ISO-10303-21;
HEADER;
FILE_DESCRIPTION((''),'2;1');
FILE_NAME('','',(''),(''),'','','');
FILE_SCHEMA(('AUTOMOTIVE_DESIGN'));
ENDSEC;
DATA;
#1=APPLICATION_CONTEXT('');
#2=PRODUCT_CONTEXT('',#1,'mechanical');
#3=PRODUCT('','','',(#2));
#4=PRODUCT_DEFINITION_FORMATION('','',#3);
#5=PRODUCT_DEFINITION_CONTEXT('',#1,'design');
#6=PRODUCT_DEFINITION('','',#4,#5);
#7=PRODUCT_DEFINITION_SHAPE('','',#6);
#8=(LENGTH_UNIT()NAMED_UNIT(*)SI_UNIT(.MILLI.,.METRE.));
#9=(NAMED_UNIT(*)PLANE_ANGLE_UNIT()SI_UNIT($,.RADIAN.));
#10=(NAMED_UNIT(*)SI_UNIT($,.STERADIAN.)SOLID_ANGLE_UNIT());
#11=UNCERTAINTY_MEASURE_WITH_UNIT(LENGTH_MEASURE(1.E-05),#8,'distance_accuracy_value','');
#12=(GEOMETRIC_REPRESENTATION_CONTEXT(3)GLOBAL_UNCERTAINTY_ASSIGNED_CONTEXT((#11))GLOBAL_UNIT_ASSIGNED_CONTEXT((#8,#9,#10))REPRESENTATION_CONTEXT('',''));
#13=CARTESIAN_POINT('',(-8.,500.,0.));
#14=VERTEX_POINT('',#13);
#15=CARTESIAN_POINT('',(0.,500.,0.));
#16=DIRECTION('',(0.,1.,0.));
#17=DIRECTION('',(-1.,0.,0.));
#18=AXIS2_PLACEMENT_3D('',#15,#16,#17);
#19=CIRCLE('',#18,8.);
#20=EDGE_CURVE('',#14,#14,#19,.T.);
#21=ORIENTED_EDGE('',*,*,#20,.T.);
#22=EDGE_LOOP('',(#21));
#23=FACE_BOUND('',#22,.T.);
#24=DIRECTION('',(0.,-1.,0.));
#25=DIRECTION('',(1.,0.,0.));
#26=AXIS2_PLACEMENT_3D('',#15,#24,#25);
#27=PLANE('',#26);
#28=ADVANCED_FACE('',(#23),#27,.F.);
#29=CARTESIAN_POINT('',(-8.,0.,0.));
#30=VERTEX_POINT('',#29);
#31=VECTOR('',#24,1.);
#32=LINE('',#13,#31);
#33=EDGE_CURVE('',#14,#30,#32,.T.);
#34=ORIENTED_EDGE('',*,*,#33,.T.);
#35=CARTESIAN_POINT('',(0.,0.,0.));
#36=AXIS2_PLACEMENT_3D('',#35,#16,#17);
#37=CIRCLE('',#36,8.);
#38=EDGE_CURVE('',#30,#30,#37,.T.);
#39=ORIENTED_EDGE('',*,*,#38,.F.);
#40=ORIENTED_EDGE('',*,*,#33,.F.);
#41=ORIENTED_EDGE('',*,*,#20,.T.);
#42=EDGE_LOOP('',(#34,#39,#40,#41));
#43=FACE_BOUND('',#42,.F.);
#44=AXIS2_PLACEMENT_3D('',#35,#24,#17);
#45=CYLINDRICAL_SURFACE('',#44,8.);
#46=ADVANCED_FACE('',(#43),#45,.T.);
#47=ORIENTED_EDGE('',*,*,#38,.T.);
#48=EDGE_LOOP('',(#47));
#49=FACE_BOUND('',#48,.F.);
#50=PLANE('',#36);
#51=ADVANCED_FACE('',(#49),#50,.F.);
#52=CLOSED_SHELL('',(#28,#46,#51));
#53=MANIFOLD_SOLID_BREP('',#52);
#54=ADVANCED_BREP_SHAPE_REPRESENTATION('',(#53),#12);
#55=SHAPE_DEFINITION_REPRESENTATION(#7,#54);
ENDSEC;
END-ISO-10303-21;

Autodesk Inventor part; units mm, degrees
ref_plane "YZ Plane" through (0, 0, 0) normal (1, 0, 0) x (0, 1, 0)
ref_plane "XZ Plane" through (0, 0, 0) normal (0, 1, 0) x (-1, 0, 0)
ref_plane "XY Plane" through (0, 0, 0) normal (0, 0, 1) x (1, 0, 0)
sketch "Szkic1" plane through (0, 0, 0) normal (0, 1, 0) x (-1, 0, 0)
  circle A0 centre (0, 0) radius 8
  dimension "d0" = 16
extrude "Wyciągnięcie proste1" add sketch "Szkic1" along normal blind 250
thread "Gwint1" size "M16x2" class "6g" standard "ANSI Metric M Profile" length 30
mirror "Odbij1" about plane through (0, 250, 0) normal (0, 1, 0)
ref_plane "Płaszczyzna konstrukcyjna1" through (0, 250, 0) normal (0, 1, 0) x (1, 0, 0)
properties part number "oś"
